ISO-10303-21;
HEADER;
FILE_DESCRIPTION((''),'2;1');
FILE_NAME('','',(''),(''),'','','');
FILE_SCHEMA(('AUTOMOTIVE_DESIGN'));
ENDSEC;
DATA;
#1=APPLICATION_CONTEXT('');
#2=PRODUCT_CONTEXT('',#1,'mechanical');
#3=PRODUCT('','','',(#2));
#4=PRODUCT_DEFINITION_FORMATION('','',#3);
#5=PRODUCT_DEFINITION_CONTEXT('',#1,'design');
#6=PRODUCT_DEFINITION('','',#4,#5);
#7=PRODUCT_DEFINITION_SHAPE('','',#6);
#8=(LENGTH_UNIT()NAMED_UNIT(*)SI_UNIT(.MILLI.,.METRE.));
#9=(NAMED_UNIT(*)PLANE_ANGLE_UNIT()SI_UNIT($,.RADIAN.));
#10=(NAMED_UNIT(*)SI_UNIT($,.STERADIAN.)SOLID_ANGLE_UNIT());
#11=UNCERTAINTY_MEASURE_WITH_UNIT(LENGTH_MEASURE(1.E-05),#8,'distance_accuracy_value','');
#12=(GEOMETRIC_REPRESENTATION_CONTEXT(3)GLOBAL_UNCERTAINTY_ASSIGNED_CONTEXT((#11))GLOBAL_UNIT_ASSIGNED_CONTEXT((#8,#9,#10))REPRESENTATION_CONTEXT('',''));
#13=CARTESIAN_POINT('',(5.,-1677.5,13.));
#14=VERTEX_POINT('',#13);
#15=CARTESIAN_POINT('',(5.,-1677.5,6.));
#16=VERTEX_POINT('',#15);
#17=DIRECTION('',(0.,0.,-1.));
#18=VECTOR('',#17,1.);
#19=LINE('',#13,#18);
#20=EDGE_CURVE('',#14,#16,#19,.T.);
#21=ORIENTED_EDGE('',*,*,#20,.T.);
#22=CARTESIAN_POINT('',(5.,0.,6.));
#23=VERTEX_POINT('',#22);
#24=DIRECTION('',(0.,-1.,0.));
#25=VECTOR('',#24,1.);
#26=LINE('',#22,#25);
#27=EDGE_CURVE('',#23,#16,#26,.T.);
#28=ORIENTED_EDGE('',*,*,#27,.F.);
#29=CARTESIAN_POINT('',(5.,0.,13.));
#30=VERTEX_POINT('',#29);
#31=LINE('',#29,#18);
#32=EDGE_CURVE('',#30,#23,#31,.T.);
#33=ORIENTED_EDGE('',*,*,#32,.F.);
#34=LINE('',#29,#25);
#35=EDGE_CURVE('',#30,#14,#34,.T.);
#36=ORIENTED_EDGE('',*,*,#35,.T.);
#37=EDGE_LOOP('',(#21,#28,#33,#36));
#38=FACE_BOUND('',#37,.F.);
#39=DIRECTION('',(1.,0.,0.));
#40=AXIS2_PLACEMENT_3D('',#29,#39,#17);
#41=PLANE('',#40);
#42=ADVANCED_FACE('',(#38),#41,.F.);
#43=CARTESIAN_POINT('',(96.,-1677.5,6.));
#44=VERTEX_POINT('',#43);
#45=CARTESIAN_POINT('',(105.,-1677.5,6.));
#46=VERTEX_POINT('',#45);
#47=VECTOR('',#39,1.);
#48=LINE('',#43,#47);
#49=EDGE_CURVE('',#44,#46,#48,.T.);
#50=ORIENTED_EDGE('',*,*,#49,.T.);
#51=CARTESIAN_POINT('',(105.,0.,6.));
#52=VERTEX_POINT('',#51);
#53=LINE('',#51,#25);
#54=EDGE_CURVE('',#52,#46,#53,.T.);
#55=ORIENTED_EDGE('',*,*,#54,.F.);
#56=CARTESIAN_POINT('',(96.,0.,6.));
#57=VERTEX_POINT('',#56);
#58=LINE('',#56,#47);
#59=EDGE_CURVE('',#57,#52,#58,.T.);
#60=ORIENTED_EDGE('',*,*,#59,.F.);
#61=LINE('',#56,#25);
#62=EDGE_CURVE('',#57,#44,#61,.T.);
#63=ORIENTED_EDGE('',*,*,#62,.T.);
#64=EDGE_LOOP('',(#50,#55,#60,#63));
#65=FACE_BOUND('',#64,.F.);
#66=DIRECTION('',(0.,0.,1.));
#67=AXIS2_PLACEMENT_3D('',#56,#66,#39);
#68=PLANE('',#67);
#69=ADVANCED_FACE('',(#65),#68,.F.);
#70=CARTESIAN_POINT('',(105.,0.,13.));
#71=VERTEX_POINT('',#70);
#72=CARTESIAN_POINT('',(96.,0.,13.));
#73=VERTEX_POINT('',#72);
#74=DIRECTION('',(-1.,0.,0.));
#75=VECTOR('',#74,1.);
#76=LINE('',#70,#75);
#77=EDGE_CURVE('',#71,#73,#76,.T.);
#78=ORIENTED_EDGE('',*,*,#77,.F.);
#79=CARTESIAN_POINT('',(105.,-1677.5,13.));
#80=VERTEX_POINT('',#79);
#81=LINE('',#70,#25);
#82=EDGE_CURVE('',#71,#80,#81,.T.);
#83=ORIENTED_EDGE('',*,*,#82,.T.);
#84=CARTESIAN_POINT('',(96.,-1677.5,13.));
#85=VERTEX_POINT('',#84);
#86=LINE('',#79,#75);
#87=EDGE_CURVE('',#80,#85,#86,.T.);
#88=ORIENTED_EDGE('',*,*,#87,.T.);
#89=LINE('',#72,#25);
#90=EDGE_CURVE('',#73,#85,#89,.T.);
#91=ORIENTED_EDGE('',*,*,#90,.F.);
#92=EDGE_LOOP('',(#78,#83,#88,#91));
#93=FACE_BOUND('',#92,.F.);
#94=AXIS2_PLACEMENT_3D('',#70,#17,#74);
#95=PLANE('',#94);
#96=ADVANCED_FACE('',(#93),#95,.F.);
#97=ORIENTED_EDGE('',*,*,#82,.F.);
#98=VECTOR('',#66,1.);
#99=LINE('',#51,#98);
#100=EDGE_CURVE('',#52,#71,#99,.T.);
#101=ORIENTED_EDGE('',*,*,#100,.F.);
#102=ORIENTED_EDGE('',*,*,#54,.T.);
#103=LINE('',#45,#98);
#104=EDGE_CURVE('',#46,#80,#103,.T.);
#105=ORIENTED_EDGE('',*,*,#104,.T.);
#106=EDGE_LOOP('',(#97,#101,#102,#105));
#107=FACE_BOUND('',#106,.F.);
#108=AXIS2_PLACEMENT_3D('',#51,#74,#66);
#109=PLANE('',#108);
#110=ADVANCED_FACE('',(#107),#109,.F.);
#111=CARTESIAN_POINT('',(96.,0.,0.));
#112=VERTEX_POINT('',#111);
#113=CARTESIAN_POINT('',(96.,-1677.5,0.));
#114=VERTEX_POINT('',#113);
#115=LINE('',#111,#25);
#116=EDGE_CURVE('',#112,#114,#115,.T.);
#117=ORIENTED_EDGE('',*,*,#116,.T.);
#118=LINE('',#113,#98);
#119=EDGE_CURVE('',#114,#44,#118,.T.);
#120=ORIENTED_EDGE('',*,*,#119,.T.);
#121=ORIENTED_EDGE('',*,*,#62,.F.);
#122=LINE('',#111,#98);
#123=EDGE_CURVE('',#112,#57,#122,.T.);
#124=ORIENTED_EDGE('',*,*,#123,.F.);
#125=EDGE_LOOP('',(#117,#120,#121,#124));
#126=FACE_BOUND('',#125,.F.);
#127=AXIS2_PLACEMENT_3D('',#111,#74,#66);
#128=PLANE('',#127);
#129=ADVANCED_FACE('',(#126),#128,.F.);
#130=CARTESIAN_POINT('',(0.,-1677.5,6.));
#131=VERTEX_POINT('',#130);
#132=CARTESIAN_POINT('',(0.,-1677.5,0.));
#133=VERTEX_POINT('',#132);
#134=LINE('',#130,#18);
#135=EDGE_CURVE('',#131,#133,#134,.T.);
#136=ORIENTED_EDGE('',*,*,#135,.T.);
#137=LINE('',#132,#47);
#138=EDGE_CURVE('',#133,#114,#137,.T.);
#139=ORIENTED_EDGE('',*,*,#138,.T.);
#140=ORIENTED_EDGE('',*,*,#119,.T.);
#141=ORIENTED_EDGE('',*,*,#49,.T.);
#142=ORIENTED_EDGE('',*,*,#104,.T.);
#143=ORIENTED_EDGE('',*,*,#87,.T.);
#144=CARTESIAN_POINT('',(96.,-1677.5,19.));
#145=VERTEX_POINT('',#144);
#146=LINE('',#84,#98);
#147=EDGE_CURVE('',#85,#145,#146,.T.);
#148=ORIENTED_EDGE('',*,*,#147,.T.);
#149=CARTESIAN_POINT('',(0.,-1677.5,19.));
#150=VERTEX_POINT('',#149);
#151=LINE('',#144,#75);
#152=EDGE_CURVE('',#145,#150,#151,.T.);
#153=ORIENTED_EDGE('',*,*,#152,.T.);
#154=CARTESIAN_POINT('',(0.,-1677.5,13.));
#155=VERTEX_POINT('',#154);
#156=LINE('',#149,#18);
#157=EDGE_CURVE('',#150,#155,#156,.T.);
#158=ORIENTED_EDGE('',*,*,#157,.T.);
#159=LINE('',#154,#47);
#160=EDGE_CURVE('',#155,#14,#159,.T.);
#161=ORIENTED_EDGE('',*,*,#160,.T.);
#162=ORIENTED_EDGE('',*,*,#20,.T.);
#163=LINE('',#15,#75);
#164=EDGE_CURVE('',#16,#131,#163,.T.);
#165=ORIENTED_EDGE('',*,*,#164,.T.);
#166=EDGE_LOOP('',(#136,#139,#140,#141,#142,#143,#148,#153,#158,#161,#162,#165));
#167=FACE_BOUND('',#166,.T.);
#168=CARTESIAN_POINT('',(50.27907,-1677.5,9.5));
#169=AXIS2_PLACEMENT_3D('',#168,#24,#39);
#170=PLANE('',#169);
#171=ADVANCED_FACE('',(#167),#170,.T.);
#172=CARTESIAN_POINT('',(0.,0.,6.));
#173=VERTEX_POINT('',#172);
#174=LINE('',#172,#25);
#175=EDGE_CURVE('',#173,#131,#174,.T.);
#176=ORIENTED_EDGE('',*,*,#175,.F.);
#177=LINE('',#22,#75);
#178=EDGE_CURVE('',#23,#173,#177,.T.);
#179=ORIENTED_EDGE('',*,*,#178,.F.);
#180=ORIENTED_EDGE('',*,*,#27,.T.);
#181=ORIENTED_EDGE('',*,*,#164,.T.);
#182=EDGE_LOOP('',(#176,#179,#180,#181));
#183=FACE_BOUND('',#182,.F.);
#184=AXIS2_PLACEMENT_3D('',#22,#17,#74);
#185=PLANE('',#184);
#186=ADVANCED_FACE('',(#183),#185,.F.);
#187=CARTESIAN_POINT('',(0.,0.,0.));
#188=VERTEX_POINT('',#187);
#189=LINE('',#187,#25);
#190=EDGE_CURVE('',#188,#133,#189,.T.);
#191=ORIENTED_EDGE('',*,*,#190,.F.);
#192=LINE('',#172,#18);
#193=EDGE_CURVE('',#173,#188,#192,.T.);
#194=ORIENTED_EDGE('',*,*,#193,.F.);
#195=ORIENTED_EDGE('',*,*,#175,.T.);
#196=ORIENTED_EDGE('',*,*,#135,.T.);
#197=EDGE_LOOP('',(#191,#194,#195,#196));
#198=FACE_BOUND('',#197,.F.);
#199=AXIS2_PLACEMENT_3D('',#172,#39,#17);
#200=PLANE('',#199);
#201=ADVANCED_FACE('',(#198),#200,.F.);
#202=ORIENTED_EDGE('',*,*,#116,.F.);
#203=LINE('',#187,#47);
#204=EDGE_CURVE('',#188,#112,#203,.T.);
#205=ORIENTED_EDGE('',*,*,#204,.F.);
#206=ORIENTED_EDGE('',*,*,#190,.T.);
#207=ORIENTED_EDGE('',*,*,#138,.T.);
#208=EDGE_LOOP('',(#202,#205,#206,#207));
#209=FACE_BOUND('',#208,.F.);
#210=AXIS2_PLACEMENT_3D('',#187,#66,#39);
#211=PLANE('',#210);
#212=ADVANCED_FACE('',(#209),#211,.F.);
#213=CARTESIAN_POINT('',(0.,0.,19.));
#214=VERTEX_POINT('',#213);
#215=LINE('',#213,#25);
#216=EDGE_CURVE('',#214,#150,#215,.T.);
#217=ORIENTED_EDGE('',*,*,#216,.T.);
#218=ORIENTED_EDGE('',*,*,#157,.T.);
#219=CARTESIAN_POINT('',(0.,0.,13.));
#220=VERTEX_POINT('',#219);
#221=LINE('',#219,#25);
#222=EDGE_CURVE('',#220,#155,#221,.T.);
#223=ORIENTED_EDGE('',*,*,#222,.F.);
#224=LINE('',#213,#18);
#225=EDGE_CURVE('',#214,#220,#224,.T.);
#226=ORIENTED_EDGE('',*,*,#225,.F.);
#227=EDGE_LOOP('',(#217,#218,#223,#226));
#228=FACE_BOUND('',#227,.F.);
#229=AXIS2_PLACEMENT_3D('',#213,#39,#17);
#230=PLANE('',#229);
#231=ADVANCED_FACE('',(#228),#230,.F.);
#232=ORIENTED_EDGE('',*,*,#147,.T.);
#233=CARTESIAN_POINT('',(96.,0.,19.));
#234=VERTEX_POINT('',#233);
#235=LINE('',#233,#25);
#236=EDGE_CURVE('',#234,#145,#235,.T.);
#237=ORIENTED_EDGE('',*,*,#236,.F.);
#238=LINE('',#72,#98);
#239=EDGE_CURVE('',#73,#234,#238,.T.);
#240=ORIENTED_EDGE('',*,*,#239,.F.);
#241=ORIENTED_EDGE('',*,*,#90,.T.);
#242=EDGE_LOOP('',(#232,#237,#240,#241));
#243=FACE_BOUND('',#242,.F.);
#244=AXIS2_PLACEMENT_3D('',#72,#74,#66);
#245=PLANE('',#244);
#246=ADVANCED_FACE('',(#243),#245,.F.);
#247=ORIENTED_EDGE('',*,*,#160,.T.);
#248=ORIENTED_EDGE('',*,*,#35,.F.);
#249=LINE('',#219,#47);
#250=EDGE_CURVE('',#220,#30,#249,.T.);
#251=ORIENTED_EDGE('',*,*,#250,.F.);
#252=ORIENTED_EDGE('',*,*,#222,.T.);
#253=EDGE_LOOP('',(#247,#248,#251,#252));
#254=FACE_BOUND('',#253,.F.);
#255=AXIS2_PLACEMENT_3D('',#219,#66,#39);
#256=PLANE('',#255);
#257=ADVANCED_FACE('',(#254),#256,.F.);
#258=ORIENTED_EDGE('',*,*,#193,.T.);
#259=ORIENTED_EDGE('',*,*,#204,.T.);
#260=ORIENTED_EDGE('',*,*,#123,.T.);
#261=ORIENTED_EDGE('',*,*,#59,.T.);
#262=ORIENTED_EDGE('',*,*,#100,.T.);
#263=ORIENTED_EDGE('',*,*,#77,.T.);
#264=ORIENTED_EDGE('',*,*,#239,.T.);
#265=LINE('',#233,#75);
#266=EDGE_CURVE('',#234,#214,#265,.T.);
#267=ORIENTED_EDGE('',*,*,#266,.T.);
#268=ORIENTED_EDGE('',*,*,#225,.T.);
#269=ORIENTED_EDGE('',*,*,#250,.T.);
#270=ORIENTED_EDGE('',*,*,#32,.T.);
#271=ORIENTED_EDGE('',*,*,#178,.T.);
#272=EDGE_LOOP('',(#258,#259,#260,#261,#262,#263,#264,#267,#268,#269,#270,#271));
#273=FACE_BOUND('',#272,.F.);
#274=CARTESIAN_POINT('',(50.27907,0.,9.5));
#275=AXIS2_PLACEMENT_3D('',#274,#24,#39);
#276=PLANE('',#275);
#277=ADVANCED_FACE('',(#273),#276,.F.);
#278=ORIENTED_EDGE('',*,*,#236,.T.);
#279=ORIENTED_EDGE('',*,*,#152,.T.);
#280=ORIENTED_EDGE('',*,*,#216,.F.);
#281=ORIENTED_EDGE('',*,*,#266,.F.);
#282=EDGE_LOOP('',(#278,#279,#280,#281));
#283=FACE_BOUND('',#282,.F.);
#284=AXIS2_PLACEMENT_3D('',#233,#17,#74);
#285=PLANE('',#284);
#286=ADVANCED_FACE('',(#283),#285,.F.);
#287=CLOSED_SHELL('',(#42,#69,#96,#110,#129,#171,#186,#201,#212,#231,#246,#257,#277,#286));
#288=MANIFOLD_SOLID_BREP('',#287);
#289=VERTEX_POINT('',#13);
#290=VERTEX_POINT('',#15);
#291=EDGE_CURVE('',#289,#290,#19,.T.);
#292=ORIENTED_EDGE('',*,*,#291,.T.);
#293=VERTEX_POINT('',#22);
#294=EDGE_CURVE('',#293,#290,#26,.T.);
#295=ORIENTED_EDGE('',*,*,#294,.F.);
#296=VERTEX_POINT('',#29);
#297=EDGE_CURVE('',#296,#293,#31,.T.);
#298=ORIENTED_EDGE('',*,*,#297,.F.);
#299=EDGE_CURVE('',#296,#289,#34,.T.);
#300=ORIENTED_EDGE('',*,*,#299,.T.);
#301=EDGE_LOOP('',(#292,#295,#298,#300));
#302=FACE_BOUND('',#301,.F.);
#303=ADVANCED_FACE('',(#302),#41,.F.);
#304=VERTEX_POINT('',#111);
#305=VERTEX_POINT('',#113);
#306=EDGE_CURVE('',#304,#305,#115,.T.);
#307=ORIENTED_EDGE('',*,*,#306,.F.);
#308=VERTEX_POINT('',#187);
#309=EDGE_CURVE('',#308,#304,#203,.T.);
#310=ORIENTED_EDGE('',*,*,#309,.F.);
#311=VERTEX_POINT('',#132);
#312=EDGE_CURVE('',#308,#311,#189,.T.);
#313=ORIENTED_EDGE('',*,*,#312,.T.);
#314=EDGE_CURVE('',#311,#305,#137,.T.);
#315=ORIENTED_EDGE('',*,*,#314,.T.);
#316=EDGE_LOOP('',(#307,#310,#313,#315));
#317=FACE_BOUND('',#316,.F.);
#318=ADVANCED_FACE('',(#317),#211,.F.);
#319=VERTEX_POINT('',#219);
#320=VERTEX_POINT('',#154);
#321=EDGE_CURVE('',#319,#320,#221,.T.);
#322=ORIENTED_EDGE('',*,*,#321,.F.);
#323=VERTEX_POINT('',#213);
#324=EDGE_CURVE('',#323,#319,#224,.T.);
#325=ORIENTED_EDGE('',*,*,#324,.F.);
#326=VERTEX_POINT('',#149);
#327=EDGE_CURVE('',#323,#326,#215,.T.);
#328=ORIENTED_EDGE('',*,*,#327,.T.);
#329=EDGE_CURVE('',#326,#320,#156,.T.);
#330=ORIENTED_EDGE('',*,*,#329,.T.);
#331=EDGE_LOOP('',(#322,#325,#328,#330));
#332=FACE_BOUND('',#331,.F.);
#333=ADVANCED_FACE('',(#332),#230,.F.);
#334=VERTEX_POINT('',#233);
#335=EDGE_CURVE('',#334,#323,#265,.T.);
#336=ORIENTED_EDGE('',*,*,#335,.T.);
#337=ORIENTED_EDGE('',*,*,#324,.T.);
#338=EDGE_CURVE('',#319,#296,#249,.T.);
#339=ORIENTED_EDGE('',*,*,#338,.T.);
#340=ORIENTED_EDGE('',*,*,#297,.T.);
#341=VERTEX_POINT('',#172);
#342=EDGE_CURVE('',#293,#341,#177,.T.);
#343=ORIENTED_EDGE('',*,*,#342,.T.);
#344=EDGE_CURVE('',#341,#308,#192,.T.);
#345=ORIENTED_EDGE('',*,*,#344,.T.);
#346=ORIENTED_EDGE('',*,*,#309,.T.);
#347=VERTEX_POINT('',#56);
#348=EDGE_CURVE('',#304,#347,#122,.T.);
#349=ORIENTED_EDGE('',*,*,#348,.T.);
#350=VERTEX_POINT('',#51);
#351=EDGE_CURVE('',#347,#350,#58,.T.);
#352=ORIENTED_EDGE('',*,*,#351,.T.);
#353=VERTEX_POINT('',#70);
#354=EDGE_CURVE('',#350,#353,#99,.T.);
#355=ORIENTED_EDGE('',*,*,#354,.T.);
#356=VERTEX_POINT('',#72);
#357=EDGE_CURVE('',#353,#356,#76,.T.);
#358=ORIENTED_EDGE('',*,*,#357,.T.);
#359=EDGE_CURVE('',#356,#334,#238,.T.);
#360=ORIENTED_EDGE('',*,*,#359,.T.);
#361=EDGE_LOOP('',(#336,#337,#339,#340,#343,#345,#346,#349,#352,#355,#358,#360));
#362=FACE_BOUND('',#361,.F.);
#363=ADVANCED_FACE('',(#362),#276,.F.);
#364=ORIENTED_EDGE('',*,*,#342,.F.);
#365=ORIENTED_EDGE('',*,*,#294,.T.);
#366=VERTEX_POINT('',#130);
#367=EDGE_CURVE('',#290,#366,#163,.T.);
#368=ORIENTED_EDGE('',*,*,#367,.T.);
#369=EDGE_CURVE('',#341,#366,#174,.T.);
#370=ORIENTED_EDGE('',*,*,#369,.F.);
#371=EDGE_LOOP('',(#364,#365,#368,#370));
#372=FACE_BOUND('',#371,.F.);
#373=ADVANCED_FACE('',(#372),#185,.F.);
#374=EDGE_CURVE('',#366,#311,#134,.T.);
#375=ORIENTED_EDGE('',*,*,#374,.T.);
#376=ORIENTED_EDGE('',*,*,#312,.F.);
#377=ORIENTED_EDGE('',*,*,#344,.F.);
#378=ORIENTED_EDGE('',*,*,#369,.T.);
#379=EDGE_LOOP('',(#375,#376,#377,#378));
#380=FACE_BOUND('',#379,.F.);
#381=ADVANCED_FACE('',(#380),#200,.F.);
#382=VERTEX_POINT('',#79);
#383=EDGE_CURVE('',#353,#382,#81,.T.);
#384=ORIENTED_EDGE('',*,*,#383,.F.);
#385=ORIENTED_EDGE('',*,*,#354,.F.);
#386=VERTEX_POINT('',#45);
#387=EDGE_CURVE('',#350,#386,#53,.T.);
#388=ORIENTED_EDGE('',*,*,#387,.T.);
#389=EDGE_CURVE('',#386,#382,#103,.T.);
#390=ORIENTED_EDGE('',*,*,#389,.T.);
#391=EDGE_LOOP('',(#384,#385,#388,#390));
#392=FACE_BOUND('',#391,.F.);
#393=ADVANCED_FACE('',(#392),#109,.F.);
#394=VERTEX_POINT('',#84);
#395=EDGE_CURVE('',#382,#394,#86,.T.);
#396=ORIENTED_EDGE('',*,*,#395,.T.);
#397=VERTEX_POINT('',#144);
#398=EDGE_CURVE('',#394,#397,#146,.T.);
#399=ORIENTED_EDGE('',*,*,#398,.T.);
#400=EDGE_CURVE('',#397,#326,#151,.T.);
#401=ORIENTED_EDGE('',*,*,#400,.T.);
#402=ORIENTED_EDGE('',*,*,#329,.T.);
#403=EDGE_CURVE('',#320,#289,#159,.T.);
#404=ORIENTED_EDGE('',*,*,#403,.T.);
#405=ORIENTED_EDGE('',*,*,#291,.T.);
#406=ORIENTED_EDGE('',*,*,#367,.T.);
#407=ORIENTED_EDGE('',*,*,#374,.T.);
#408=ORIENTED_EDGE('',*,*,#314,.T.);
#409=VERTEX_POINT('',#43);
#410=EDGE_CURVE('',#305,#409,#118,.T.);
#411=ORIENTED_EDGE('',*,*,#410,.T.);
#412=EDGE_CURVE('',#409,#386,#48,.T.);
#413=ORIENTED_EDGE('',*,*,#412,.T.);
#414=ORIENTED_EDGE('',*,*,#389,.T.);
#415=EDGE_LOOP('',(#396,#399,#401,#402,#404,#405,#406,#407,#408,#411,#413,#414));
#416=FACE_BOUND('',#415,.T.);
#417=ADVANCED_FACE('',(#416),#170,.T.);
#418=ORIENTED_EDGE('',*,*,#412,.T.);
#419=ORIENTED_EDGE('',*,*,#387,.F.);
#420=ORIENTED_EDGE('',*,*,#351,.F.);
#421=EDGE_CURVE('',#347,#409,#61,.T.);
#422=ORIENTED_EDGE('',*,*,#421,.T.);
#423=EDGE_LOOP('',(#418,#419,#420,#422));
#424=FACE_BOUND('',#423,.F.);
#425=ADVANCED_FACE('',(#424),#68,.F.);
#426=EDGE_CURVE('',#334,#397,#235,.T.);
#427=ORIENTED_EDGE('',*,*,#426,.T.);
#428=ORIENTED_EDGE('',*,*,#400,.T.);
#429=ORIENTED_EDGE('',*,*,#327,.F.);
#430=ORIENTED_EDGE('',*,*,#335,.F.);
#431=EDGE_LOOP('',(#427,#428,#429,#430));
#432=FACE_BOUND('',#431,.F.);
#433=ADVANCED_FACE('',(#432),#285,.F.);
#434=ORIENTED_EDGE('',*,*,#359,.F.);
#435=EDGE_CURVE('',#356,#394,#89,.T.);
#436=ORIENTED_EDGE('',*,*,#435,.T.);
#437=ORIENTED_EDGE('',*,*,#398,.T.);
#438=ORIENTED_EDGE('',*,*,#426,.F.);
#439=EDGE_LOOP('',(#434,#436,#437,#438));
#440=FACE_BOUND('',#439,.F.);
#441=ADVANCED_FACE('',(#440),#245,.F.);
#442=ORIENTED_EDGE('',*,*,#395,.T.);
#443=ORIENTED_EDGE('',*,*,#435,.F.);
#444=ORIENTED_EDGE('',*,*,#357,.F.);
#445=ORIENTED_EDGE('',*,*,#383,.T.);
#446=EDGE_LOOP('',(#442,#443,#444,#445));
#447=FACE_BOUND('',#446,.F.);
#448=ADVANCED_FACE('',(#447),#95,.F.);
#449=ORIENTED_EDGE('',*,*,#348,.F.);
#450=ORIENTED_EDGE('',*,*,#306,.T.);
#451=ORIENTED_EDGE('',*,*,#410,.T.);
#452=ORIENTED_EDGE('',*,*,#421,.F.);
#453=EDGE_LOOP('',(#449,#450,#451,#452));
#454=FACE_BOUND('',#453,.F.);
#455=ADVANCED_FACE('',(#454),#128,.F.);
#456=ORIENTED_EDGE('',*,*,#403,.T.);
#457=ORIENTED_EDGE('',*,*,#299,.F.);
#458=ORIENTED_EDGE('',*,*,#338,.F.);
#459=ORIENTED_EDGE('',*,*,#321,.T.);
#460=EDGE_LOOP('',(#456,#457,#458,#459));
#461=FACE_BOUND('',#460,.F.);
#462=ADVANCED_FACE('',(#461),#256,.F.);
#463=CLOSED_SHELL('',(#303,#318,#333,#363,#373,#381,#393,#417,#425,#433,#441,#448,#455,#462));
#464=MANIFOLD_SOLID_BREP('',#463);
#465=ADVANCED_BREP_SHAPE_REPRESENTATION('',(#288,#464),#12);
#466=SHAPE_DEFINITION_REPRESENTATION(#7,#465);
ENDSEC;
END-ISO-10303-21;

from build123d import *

# Parameters (mm, degrees)
F1_DEPTH = 1677.5
F2_DEPTH = 1677.5


with BuildPart() as f1:
    # F0 (on Front) → F1 (new body)
    with BuildSketch(Plane.XZ):
        Polygon((0, 6), (0, 0), (96, 0), (96, 6), (105, 6), (105, 13), (96, 13), (96, 19), (0, 19), (0, 13), (5, 13), (5, 6), align=None)
    extrude(amount=F1_DEPTH)


with BuildPart() as f2:
    # F0 (on Front) → F2 (new body)
    with BuildSketch(Plane.XZ):
        Polygon((0, 6), (0, 0), (96, 0), (96, 6), (105, 6), (105, 13), (96, 13), (96, 19), (0, 19), (0, 13), (5, 13), (5, 6), align=None)
    extrude(amount=F2_DEPTH)


solid = Compound([f1.part, f2.part])
